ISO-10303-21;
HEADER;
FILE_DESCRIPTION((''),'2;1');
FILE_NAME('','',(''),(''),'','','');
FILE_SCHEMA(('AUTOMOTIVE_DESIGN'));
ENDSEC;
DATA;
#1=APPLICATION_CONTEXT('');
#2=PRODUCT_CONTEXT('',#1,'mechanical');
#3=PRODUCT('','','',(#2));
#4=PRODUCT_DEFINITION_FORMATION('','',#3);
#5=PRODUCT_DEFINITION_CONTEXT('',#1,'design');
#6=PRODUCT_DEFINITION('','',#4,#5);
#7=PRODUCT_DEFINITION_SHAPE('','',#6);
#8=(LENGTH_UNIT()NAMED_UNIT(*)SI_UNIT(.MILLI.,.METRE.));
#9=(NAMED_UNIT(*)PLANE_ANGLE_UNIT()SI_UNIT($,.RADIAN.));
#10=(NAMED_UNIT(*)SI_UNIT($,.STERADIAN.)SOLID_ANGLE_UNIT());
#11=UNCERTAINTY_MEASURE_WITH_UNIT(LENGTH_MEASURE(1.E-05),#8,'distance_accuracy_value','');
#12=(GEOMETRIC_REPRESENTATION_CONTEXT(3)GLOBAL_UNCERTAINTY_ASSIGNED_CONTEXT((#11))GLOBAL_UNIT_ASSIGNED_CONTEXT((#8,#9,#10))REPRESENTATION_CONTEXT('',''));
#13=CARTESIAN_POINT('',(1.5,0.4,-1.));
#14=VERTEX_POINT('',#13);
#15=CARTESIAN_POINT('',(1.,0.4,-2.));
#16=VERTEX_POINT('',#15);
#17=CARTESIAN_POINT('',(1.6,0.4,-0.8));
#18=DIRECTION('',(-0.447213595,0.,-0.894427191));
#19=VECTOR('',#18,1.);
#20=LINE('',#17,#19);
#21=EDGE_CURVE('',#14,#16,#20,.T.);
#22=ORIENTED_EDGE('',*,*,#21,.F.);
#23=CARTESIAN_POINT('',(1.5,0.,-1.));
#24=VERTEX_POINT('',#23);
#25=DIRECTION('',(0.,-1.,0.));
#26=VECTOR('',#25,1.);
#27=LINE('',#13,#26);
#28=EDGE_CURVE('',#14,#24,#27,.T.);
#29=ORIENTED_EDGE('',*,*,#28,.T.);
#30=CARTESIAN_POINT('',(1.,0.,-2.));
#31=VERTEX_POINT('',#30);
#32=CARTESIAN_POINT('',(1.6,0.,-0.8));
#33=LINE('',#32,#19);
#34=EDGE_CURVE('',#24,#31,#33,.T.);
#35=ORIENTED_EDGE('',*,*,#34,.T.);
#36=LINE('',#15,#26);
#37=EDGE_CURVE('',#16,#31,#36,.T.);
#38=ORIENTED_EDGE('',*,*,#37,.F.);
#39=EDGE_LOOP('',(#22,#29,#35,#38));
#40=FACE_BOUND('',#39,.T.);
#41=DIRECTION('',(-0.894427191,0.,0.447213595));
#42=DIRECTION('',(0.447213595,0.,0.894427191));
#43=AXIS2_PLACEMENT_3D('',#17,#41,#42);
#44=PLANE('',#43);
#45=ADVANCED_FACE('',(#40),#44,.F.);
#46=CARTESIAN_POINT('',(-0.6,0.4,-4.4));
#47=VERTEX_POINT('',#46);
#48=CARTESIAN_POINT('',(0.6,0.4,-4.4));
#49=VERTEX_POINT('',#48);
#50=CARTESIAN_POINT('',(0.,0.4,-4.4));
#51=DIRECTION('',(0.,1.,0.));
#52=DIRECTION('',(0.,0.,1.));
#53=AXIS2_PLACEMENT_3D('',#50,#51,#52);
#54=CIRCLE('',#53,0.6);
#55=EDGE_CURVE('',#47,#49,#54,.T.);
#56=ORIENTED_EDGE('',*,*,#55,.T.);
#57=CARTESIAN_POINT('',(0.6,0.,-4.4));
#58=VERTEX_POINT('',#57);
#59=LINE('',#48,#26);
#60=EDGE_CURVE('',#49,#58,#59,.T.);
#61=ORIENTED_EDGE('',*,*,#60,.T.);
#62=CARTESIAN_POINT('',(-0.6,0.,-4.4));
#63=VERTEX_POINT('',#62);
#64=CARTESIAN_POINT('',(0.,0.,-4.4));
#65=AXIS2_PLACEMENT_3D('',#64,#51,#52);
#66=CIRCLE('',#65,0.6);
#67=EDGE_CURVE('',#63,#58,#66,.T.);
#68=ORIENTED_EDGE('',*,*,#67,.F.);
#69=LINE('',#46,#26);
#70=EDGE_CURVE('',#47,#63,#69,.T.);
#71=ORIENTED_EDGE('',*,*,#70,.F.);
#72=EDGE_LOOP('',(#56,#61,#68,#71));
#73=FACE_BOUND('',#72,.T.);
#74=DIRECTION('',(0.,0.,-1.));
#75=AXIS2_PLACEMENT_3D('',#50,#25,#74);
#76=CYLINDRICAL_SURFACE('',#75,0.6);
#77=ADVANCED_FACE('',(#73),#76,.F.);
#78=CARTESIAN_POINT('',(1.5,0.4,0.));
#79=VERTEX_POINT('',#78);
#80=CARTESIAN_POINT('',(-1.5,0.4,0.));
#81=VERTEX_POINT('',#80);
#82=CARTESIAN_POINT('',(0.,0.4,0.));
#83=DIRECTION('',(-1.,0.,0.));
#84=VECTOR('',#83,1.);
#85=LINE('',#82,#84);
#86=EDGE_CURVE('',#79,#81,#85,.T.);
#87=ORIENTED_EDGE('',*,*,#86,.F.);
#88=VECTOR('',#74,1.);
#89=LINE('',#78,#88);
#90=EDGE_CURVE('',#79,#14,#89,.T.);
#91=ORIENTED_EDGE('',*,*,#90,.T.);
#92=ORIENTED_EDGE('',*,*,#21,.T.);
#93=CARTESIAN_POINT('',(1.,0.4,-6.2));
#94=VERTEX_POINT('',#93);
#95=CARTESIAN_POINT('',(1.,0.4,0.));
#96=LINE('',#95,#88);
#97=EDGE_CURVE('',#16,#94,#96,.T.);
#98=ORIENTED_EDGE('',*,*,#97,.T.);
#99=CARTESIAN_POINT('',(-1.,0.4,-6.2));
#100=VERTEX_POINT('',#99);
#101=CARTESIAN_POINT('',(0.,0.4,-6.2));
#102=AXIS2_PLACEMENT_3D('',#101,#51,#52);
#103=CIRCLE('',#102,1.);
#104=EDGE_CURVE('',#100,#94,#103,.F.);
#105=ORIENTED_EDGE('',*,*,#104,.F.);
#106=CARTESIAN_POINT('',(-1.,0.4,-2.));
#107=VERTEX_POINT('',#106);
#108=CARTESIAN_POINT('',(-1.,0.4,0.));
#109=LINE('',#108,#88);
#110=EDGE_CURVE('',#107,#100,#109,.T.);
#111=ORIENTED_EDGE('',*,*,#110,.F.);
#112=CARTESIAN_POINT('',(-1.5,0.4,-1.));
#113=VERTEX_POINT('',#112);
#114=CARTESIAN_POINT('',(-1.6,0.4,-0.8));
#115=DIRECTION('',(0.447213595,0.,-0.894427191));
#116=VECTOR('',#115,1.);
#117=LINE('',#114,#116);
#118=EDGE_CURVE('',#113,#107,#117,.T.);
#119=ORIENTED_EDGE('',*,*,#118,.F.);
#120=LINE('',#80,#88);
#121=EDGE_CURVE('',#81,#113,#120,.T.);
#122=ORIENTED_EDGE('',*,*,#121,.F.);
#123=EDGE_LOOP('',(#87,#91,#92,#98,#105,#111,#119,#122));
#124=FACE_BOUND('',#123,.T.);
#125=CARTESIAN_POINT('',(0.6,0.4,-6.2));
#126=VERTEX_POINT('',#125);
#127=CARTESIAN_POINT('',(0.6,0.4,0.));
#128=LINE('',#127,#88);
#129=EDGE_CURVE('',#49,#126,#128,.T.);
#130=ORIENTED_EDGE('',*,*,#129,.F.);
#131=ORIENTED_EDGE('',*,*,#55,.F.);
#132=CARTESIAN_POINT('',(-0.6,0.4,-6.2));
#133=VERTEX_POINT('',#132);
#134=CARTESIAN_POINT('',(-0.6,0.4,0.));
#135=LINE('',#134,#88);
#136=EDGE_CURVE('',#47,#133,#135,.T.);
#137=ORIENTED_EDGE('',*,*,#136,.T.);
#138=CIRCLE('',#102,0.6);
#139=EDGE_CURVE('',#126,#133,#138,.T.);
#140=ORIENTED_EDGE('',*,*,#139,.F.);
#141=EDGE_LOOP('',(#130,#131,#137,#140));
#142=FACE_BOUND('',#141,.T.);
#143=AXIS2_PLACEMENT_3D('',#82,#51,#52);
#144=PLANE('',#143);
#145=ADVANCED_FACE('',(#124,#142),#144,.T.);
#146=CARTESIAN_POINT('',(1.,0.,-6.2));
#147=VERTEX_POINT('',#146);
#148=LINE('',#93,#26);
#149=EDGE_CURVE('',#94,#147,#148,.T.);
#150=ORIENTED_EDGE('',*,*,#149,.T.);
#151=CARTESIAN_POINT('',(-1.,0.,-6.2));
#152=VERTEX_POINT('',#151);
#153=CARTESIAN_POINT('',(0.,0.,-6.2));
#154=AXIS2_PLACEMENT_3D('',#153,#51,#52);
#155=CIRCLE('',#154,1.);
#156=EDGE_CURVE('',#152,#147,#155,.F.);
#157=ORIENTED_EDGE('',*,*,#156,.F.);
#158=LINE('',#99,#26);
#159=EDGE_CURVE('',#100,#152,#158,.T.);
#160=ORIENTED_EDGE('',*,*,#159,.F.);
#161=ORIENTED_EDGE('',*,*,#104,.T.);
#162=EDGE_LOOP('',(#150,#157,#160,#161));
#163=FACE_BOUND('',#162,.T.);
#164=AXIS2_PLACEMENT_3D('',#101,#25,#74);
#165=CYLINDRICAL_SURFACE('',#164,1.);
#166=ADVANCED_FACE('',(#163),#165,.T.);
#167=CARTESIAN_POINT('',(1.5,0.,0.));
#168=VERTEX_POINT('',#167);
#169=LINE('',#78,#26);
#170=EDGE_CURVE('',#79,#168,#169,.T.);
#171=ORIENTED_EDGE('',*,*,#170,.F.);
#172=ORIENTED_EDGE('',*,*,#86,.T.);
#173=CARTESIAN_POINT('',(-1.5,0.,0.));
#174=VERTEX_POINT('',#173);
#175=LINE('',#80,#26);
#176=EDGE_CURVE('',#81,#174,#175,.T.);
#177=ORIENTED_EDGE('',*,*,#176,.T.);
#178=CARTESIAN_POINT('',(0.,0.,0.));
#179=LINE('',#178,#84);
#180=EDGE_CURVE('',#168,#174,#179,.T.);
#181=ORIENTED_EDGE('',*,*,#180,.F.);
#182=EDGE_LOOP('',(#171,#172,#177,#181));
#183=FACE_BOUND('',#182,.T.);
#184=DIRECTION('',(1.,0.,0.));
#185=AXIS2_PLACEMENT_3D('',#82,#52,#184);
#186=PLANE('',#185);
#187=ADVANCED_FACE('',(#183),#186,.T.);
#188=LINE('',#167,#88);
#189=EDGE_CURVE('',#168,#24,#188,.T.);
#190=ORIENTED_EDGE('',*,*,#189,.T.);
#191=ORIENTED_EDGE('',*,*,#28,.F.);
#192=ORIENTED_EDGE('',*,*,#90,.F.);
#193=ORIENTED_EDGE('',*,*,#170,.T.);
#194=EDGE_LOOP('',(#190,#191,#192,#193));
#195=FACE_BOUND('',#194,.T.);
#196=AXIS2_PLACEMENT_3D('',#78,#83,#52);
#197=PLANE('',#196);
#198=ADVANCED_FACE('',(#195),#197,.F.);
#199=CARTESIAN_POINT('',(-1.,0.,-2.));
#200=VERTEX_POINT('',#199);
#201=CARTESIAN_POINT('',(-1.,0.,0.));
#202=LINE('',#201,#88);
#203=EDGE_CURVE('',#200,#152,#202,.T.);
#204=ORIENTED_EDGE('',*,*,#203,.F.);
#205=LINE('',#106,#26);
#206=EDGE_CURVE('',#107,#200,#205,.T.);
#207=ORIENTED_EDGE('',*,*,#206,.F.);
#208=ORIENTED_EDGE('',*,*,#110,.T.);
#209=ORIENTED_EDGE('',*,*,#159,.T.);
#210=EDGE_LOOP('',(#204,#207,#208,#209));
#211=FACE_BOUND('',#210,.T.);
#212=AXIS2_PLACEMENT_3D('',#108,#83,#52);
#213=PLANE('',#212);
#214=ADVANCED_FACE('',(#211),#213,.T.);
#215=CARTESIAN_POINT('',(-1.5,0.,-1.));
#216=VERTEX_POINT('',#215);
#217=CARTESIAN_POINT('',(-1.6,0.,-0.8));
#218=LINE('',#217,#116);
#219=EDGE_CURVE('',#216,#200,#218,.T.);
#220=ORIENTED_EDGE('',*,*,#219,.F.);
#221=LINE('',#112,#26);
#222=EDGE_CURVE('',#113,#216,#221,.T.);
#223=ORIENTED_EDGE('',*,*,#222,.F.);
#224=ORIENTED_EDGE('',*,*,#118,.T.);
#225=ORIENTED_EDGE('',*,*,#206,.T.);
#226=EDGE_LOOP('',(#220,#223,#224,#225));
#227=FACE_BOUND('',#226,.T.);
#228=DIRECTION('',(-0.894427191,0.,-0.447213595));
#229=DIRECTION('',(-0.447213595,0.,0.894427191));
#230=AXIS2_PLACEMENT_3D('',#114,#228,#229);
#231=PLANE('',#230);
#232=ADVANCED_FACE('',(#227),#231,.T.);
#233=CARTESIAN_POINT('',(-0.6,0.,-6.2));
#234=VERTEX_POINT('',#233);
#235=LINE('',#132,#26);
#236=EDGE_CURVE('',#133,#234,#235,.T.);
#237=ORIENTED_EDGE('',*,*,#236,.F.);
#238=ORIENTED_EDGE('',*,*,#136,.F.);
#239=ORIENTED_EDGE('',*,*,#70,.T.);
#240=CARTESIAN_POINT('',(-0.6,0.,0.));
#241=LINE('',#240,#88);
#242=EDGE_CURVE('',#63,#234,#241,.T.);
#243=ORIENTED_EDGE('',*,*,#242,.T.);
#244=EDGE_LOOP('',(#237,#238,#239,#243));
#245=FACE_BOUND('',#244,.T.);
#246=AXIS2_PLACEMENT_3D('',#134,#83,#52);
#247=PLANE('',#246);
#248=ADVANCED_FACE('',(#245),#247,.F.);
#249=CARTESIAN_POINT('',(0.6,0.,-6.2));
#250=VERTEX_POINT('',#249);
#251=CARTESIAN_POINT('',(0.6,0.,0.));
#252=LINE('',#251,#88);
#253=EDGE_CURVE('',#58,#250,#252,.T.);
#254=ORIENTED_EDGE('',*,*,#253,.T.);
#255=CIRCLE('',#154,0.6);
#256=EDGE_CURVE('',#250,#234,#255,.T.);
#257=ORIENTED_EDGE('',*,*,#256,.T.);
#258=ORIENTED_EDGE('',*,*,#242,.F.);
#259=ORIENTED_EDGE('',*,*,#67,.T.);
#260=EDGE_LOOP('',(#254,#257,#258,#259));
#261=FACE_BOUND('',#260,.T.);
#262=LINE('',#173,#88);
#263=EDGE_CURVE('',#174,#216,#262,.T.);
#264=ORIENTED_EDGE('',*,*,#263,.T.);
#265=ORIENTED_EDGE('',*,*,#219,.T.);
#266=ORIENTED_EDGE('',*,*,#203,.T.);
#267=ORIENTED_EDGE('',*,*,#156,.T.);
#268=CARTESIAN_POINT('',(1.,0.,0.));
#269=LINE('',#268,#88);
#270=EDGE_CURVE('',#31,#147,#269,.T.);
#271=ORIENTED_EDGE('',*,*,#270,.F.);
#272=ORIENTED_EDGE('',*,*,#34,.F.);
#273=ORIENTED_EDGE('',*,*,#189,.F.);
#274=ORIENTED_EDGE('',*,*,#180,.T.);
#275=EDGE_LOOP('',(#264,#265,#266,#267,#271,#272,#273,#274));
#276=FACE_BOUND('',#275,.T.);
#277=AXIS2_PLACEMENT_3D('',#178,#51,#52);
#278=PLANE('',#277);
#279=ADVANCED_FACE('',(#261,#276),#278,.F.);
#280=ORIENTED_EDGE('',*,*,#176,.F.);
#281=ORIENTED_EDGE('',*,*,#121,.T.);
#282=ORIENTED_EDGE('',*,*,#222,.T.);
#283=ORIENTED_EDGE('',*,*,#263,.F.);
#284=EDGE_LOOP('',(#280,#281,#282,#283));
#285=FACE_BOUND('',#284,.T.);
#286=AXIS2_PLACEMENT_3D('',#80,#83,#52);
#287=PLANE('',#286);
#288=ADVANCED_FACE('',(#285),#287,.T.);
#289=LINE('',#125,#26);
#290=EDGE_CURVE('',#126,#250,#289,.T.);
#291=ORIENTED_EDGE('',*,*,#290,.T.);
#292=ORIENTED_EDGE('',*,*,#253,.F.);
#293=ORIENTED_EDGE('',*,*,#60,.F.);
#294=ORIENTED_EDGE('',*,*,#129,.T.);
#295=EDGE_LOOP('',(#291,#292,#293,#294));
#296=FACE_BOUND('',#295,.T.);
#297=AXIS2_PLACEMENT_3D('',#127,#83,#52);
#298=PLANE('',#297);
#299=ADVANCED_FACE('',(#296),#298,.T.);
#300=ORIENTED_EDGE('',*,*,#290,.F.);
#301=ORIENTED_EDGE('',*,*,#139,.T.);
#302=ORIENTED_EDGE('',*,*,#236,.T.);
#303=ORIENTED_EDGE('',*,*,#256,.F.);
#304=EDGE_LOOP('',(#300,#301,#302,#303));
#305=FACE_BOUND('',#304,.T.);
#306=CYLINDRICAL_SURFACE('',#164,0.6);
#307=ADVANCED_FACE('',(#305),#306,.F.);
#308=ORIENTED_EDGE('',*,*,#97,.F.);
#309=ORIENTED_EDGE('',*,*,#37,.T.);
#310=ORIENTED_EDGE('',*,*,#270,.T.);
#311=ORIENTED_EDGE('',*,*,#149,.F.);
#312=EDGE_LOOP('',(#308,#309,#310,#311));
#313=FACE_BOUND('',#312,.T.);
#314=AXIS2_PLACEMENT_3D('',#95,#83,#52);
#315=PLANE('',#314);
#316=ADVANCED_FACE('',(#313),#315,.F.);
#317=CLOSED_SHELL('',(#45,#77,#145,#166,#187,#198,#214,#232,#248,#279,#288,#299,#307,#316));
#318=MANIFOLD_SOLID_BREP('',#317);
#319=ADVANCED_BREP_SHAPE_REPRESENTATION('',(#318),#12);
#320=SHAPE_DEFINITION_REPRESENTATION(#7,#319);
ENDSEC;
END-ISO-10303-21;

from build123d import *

# Parameters (mm, degrees)
BOSS_EXTRUDE1_DEPTH = 0.4


with BuildPart() as part:
    # Sketch1 → Boss-Extrude1 (new body)
    with BuildSketch(Plane(origin=(0, 0, 0), x_dir=(1, 0, 0), z_dir=(0, 1, 0))):
        with BuildLine():
            Line((1.5, 0), (-1.5, 0))
            Line((-1.5, 0), (-1.5, 1))
            Line((-1.5, 1), (-1, 2))
            Line((-1, 2), (-1, 6.2))
            ThreePointArc((-1, 6.2), (0, 7.2), (1, 6.2))
            Line((1, 6.2), (1, 2))
            Line((1, 2), (1.5, 1))
            Line((1.5, 1), (1.5, 0))
        make_face()
        with BuildLine():
            Line((-0.6, 4.4), (-0.6, 6.2))
            ThreePointArc((-0.6, 6.2), (0, 6.8), (0.6, 6.2))
            Line((0.6, 6.2), (0.6, 4.4))
            ThreePointArc((0.6, 4.4), (0, 3.8), (-0.6, 4.4))
        make_face(mode=Mode.SUBTRACT)
    extrude(amount=BOSS_EXTRUDE1_DEPTH)


solid = part.part
